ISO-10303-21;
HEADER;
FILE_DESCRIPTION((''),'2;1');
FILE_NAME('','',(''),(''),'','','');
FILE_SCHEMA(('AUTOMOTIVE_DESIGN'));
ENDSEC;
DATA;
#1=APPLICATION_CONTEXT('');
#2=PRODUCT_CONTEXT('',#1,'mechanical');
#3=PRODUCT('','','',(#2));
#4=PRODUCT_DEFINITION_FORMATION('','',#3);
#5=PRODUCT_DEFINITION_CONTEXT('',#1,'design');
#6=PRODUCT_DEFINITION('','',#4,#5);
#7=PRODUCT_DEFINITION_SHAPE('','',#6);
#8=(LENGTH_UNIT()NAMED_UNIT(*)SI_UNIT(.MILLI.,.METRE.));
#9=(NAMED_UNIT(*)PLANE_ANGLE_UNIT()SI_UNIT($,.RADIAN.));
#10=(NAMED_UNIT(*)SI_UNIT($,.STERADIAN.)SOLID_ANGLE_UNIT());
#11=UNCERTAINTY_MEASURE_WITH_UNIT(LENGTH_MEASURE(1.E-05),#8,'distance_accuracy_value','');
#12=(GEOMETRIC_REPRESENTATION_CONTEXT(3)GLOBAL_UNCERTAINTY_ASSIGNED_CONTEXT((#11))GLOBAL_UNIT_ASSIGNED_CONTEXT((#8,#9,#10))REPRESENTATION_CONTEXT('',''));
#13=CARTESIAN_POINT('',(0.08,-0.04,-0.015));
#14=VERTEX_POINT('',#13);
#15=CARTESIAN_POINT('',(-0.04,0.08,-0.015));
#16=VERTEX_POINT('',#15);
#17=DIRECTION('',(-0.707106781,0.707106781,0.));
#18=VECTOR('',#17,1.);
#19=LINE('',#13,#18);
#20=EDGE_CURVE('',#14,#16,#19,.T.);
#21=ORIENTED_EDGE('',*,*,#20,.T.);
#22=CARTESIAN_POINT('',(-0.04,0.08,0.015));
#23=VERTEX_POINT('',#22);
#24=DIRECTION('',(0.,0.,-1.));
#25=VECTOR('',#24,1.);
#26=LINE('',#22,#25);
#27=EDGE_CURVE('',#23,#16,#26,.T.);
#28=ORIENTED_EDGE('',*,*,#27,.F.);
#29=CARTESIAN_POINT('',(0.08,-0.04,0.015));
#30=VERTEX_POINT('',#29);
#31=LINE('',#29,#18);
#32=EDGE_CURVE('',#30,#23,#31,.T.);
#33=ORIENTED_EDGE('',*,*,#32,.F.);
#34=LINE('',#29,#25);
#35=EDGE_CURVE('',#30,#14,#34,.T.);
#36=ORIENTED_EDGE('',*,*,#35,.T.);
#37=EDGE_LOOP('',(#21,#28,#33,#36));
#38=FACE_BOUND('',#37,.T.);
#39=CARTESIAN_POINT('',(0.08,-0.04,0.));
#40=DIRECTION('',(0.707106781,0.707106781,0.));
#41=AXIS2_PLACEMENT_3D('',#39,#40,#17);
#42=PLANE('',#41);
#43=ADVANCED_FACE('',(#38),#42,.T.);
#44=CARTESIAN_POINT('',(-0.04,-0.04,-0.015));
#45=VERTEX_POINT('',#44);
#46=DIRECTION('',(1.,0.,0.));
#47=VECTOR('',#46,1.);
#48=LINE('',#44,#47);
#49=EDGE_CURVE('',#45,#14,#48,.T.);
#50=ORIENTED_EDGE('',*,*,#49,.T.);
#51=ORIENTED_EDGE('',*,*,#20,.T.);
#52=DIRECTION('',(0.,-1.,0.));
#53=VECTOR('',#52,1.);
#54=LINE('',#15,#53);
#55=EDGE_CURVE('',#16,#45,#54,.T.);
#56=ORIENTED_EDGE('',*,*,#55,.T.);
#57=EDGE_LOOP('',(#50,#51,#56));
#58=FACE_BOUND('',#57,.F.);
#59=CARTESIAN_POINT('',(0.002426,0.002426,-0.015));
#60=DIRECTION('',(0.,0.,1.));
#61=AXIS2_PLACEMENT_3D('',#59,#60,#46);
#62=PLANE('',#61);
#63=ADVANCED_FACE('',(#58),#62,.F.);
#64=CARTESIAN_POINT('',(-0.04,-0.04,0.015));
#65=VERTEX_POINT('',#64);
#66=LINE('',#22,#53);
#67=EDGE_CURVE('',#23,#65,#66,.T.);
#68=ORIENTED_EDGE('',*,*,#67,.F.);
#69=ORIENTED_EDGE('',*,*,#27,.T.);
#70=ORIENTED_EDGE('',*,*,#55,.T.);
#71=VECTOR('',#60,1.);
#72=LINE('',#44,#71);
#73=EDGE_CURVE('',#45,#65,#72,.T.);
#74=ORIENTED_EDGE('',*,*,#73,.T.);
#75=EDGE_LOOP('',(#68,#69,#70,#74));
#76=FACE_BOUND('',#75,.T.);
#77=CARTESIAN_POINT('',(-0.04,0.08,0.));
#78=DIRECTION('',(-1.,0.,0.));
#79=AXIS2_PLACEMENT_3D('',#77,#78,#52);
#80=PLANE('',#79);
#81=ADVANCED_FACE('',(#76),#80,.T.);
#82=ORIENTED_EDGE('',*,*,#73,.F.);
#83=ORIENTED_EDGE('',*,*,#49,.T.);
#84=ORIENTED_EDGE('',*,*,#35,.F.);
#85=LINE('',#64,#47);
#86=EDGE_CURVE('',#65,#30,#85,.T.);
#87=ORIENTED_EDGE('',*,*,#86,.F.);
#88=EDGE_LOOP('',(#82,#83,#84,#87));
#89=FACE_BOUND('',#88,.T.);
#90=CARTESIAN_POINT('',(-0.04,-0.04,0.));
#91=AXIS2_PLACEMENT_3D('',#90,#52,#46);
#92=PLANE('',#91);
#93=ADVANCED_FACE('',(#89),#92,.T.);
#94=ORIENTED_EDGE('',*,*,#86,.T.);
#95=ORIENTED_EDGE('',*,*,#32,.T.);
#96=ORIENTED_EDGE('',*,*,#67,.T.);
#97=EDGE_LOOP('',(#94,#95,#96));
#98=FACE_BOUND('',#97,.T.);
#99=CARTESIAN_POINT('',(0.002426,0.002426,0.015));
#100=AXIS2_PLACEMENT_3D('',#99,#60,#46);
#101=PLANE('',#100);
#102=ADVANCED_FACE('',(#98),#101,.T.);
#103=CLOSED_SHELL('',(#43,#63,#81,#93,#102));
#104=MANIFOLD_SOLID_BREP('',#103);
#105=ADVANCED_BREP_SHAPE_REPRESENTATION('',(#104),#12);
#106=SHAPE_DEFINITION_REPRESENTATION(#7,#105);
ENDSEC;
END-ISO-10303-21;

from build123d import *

# Parameters (mm, degrees)
PAD_DEPTH = 0.015


with BuildPart() as part:
    # Sketch → Pad (new body, symmetric)
    with BuildSketch(Plane.XY):
        Polygon((-0.04, 0.08), (-0.04, -0.04), (0.08, -0.04), align=None)
    extrude(amount=PAD_DEPTH, both=True)


solid = part.part
